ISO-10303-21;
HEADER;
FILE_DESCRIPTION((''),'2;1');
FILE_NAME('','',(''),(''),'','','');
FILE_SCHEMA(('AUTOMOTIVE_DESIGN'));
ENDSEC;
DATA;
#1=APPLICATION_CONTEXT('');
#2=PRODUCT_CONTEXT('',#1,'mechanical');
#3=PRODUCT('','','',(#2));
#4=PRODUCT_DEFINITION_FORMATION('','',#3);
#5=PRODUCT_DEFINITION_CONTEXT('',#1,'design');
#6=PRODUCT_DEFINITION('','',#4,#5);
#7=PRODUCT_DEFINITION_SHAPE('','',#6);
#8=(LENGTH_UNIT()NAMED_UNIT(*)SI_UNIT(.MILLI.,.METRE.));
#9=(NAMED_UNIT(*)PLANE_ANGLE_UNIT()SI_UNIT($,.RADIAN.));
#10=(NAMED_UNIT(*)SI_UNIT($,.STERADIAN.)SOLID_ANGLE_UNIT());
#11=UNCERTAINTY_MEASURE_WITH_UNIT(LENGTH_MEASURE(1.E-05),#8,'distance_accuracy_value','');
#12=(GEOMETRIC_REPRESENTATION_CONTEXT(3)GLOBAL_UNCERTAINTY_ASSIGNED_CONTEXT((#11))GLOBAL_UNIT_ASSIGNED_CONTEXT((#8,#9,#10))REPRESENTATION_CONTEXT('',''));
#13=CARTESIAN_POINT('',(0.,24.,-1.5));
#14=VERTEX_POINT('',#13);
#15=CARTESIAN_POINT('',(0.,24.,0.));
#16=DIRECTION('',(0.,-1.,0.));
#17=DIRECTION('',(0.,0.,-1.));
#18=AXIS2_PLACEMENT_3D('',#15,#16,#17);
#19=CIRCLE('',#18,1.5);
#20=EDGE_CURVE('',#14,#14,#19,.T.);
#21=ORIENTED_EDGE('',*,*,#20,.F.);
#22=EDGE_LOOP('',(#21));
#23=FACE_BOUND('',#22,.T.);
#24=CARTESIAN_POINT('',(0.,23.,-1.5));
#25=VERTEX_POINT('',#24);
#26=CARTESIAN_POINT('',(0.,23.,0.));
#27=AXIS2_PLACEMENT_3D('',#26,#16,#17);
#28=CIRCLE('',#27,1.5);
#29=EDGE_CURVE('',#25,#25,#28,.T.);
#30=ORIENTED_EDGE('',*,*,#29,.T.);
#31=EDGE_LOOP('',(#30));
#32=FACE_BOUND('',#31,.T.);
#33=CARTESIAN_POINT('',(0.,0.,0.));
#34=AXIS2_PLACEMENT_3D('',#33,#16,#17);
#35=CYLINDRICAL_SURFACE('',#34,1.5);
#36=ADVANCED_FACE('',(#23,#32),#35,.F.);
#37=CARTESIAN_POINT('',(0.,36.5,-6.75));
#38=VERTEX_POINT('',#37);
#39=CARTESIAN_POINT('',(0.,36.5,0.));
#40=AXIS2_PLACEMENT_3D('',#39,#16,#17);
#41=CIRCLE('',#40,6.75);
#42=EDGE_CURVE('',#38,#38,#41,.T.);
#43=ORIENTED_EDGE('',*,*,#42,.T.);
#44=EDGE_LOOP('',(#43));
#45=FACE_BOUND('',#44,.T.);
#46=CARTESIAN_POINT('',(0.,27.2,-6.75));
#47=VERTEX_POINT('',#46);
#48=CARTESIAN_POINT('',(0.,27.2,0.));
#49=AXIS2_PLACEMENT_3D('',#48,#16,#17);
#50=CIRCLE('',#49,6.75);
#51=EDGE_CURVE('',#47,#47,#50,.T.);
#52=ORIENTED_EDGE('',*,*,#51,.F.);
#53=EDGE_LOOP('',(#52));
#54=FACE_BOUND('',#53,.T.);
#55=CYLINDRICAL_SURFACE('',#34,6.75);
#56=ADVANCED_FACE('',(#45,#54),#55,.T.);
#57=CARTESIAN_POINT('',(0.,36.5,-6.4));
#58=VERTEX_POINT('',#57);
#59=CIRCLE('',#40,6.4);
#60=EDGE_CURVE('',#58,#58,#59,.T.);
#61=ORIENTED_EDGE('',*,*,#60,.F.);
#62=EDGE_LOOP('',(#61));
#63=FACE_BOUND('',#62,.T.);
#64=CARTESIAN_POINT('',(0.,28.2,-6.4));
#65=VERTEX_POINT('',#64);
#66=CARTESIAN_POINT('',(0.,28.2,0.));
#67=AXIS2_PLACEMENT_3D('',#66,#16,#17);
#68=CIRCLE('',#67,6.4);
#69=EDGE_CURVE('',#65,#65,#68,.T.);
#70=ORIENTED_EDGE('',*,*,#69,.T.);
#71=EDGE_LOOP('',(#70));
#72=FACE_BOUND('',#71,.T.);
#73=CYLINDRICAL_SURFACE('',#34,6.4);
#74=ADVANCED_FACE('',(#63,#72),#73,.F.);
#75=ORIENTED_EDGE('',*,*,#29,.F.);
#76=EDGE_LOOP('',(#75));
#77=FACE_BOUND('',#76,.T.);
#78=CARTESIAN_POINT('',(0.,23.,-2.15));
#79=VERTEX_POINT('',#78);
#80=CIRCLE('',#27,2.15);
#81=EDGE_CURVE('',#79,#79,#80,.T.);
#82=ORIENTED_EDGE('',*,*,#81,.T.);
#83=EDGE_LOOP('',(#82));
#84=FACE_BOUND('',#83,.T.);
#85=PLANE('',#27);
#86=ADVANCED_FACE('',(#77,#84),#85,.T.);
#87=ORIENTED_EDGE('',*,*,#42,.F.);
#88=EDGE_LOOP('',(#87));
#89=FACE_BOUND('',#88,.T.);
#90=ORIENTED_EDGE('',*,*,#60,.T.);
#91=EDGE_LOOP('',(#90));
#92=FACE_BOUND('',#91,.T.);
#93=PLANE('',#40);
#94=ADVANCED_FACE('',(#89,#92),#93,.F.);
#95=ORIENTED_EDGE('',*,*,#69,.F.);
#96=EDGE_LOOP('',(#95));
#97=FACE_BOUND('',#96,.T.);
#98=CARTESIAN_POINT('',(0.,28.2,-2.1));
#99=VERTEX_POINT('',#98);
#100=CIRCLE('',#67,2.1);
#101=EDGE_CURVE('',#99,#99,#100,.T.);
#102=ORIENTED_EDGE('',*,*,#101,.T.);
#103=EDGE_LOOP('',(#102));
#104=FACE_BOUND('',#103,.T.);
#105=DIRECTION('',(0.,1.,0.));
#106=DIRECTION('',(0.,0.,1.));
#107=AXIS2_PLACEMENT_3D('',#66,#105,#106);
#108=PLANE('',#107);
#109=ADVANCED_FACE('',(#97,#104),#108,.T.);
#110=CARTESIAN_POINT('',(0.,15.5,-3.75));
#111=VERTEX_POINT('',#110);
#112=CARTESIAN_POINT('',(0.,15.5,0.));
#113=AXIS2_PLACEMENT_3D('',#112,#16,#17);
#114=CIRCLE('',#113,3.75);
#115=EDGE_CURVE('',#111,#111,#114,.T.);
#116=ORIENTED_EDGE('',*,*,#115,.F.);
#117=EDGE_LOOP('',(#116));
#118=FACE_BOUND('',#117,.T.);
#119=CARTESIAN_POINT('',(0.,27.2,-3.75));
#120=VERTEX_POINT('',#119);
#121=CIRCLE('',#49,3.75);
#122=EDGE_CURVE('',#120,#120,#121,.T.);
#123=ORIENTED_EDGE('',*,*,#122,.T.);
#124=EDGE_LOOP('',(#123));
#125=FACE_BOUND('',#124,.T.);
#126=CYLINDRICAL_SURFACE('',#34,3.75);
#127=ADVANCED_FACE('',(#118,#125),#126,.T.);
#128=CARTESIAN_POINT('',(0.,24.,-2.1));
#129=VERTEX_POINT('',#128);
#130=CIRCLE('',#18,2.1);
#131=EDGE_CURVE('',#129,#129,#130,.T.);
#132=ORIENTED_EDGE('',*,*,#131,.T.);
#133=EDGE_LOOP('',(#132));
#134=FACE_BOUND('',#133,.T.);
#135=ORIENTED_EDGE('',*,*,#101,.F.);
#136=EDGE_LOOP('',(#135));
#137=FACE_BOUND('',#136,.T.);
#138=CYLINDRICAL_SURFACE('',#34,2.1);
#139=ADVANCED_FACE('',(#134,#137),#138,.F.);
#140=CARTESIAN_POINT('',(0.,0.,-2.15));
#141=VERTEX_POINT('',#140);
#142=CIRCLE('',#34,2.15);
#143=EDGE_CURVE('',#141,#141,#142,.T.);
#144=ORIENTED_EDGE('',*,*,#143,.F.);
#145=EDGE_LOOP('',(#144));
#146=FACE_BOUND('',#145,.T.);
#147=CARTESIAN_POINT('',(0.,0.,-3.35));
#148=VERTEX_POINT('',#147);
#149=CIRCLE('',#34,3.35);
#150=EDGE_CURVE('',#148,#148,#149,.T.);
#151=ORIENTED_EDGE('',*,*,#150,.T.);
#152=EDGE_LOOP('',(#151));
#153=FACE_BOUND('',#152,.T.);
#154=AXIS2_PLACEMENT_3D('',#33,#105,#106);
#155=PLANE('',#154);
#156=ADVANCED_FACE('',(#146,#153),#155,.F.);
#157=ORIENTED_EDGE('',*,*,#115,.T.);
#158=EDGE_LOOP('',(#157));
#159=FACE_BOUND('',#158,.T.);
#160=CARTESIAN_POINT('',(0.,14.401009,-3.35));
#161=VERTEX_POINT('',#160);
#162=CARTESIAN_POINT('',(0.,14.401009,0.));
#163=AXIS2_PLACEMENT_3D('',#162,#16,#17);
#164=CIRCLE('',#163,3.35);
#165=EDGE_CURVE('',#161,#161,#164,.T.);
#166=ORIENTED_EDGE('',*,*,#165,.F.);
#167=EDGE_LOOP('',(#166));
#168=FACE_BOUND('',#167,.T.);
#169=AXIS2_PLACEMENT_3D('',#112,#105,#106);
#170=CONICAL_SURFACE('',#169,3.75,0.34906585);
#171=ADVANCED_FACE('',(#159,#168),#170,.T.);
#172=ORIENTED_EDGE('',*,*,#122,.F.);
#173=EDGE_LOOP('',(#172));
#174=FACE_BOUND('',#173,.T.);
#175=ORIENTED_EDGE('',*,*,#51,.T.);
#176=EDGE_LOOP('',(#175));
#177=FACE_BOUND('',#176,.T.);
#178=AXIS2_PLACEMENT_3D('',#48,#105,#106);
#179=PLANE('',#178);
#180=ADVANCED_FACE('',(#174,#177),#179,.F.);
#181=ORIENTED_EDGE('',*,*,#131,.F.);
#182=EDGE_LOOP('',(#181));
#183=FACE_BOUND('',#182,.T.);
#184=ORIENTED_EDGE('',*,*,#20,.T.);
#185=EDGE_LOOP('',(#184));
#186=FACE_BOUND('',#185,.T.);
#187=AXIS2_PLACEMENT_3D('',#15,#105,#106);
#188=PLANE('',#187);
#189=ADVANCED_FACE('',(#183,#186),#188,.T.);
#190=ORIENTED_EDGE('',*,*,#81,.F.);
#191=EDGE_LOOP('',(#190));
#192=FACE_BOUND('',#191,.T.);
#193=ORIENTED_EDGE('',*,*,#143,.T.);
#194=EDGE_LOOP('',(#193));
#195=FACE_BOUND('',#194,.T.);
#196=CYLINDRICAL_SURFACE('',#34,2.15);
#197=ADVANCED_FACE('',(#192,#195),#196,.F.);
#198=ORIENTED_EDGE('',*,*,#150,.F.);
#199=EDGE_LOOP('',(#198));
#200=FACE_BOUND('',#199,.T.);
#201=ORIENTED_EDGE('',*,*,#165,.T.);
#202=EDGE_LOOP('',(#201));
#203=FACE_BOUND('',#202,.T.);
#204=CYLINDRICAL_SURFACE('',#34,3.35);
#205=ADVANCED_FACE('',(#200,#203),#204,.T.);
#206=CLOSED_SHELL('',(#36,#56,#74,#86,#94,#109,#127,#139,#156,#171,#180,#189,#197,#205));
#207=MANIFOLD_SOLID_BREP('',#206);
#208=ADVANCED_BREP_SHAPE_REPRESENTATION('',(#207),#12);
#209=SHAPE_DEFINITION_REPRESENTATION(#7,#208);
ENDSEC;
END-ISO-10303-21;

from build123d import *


with BuildPart() as part:
    # Sketch1 → Revolve1 (revolve)
    with BuildSketch(Plane.XY, mode=Mode.PRIVATE) as revolve1_sk:
        Polygon((-3.35, 14.401009032), (-3.35, 0), (-2.15, 0), (-2.15, 23), (-1.5, 23), (-1.5, 24), (-2.1, 24), (-2.1, 28.2), (-6.4, 28.2), (-6.4, 36.5), (-6.75, 36.5), (-6.75, 27.2), (-3.75, 27.2), (-3.75, 15.5), align=None)
    revolve(revolve1_sk.sketch.rotate(Axis((0, 0, 0), (0, 1, 0)), 270), axis=Axis((0, 0, 0), (0, 1, 0)))


solid = part.part
